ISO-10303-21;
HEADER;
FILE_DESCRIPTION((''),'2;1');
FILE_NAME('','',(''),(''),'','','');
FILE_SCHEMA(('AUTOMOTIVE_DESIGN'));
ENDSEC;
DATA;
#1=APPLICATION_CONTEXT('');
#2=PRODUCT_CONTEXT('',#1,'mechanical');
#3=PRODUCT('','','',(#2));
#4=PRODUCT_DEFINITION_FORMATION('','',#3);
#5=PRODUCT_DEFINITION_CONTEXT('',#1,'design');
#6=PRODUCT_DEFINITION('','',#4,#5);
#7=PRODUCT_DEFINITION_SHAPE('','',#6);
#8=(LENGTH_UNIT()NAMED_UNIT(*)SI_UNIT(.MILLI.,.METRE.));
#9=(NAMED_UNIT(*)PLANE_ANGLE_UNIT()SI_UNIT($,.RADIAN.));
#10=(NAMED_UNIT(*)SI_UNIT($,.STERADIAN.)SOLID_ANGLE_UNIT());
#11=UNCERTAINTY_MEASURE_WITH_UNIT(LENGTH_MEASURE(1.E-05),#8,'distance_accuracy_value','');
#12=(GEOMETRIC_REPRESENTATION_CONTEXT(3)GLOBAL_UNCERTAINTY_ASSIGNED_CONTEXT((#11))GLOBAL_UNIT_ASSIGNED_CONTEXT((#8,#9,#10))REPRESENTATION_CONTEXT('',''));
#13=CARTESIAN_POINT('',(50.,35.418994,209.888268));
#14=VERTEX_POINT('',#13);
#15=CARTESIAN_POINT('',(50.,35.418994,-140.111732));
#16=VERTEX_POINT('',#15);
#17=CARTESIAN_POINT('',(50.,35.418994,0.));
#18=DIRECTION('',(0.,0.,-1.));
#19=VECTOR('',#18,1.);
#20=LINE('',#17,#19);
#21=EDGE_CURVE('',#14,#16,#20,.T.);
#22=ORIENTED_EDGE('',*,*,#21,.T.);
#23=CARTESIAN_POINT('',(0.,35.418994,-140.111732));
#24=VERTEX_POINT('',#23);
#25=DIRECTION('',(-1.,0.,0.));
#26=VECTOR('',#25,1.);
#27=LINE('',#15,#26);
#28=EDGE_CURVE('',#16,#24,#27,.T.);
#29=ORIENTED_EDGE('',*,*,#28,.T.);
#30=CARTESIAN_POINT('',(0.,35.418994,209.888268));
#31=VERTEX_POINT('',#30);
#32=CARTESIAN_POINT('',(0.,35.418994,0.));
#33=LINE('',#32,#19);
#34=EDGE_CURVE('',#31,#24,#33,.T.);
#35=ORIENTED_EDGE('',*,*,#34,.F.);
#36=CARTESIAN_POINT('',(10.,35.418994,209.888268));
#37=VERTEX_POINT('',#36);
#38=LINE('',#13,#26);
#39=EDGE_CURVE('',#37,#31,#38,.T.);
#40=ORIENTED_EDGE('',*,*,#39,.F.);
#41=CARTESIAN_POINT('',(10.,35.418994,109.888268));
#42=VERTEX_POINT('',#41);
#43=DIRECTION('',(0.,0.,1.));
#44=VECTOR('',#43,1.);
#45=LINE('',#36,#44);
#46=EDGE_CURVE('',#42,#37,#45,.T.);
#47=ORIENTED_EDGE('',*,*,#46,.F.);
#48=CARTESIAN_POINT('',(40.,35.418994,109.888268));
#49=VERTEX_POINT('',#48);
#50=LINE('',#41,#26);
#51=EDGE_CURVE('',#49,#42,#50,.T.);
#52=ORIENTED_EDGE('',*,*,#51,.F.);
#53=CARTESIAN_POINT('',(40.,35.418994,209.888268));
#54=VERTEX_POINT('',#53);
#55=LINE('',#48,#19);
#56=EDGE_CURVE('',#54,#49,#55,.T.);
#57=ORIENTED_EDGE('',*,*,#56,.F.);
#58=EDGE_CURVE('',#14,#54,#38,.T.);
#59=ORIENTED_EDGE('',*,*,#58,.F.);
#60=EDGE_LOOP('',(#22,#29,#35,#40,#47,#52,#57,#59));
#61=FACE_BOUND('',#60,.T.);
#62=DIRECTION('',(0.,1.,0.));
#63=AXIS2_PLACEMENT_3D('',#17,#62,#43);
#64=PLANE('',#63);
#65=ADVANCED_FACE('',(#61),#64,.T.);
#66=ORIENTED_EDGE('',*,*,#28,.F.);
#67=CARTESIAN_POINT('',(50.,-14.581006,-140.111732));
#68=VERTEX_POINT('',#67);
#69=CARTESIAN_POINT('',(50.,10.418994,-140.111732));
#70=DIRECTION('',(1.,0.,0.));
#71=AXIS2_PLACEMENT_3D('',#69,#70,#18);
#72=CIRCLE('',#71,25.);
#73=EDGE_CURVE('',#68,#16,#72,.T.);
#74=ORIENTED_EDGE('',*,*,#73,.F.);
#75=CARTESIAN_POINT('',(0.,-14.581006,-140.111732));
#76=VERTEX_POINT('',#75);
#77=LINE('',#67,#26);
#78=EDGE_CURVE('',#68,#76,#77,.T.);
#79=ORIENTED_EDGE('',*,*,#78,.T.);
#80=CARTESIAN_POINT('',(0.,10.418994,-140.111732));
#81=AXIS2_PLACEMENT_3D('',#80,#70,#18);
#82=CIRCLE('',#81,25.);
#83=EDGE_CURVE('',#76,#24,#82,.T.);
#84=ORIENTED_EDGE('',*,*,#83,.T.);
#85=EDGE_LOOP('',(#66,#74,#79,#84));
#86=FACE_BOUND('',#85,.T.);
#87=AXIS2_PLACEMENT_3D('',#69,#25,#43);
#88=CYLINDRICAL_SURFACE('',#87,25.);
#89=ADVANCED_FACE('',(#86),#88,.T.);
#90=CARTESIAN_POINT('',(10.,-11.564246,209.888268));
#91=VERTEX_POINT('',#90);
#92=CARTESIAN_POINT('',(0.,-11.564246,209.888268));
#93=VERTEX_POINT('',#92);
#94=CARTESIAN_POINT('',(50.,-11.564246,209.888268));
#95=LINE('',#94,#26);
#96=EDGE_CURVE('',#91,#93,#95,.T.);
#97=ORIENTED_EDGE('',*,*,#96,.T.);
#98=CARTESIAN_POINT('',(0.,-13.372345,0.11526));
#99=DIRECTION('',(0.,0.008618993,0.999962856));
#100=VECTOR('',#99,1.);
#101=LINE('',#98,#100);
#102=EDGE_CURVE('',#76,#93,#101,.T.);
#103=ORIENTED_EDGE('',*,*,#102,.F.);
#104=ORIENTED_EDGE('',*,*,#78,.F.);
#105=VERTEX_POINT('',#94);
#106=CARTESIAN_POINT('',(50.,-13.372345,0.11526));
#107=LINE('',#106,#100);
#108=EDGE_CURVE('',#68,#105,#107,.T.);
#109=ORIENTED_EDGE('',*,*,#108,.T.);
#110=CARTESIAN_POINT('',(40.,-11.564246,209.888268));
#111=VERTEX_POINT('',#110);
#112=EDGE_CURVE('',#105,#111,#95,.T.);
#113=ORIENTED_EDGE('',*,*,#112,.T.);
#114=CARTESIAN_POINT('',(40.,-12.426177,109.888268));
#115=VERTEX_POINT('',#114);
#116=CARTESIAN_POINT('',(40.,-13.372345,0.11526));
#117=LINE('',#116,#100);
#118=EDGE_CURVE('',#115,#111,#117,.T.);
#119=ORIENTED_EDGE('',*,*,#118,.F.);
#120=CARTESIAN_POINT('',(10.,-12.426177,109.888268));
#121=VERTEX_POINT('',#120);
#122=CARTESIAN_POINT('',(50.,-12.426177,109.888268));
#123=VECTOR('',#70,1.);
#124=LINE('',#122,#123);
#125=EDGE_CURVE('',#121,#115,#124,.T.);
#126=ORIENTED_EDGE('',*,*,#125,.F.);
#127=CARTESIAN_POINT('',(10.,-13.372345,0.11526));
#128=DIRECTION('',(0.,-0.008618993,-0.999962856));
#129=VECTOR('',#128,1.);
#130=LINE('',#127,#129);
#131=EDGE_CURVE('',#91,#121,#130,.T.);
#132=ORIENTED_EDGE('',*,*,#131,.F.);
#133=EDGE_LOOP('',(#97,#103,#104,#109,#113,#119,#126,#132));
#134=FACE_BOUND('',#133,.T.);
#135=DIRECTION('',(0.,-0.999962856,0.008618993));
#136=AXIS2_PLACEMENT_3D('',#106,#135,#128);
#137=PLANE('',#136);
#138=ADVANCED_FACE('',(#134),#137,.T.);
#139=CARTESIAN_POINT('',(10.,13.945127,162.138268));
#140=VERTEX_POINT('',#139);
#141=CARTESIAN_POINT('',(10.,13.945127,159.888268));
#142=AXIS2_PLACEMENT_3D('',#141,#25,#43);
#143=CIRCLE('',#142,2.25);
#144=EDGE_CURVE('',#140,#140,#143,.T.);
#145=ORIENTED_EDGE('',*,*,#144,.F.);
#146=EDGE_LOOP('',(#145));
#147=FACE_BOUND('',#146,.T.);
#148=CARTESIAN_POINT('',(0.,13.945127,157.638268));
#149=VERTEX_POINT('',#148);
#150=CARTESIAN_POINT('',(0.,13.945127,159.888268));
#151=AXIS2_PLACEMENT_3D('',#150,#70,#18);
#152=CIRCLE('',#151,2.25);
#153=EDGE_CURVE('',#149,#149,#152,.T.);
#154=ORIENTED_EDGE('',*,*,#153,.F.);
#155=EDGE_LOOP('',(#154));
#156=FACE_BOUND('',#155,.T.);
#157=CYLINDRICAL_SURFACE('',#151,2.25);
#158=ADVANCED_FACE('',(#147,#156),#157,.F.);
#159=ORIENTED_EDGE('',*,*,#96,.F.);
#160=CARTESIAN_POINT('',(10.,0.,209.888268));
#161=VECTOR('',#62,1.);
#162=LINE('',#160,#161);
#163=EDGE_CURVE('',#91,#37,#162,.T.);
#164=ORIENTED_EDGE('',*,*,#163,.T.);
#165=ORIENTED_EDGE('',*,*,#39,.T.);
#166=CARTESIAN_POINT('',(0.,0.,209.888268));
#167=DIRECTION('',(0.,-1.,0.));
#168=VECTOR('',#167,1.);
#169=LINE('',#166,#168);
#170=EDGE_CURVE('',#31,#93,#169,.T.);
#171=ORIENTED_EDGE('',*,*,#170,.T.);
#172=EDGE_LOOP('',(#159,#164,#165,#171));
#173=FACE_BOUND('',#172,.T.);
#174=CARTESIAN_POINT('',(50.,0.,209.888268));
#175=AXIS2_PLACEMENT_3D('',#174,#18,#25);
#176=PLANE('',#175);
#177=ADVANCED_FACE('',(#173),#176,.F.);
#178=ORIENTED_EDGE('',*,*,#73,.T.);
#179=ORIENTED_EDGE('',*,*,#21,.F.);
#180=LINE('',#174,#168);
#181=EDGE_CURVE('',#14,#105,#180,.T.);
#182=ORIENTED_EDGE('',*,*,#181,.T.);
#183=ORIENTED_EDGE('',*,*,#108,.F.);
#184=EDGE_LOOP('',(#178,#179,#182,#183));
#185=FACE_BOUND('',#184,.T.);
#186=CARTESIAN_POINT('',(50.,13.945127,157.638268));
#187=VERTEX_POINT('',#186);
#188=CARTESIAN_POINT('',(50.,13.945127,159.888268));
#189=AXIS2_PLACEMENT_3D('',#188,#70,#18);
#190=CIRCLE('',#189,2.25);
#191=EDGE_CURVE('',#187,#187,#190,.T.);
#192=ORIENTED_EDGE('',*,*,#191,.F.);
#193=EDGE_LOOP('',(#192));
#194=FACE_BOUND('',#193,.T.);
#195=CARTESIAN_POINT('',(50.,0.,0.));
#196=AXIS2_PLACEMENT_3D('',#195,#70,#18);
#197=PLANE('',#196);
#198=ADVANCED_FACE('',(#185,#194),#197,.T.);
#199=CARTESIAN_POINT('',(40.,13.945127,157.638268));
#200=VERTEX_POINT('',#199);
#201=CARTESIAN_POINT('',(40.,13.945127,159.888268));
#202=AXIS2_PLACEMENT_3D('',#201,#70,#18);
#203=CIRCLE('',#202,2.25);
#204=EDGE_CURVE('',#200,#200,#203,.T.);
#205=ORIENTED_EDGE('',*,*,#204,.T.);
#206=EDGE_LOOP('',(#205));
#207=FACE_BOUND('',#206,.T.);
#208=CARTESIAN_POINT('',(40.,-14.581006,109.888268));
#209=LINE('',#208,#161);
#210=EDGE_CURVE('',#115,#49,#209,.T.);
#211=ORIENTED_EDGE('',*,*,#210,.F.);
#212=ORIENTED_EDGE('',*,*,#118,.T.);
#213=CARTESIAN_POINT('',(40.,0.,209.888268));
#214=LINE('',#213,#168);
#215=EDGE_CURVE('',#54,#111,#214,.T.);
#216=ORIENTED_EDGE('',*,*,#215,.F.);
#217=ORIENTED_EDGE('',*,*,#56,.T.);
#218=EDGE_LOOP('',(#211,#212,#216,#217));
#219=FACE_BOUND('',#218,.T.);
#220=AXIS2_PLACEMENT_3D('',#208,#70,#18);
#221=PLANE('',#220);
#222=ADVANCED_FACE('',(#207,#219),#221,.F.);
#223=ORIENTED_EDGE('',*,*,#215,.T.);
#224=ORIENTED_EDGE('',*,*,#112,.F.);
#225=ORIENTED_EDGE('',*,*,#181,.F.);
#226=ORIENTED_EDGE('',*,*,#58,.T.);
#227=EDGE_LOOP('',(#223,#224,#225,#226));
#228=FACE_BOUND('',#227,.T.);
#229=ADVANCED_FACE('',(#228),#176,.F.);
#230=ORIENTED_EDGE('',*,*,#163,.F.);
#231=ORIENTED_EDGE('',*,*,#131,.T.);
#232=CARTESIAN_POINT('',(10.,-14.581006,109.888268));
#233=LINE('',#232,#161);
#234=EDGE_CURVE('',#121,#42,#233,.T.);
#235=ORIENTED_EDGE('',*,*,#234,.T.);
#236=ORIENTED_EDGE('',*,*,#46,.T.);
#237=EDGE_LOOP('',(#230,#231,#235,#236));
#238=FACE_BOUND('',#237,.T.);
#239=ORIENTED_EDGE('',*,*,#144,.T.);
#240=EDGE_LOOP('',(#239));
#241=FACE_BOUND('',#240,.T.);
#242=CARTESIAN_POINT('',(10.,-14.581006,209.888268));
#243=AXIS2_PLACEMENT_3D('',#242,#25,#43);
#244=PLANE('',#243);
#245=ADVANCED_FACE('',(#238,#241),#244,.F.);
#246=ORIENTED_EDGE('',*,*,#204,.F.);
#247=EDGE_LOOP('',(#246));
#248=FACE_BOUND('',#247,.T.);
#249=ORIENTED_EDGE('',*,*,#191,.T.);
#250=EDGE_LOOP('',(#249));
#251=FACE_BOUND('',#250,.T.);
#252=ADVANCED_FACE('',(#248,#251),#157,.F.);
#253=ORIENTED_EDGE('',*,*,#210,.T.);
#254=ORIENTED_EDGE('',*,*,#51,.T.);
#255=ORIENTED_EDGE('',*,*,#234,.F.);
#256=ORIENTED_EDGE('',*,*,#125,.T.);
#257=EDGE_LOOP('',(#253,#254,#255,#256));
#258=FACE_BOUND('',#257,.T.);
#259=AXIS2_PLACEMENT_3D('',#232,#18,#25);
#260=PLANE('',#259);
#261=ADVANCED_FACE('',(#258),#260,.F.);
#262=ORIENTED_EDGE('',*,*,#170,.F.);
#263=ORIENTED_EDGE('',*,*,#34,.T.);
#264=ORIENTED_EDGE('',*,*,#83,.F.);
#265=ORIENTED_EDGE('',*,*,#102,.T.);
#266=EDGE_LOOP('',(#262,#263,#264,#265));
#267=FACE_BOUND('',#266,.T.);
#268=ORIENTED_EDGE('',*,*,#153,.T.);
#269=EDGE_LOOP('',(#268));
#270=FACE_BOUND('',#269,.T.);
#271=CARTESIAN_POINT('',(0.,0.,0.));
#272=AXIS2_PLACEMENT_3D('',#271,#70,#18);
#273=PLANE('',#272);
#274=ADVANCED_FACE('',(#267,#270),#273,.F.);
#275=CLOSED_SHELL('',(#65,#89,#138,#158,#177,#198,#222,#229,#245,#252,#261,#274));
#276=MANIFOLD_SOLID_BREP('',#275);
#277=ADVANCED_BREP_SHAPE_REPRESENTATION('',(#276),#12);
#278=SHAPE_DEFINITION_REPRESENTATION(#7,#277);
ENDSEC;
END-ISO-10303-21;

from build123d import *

# Parameters (mm, degrees)
BOSS_EXTRUDE1_DEPTH = 50
SKETCH6_W           = 30
SKETCH6_H           = 100
CUT_EXTRUDE3_DEPTH  = 222.479310794
SKETCH5_R           = 2.25
CUT_EXTRUDE2_DEPTH  = 219.649468957


with BuildPart() as part:
    # Sketch1 → Boss-Extrude1 (new body)
    with BuildSketch(Plane(origin=(0, 0, 0), x_dir=(0, 0, -1), z_dir=(1, 0, 0))):
        with BuildLine():
            Line((140.111731844, 35.418994413), (-209.888268156, 35.418994413))
            Line((-209.888268156, 35.418994413), (-209.888268156, 13.43575419))
            Line((-209.888268156, 13.43575419), (-209.888268156, -11.56424581))
            Line((-209.888268156, -11.56424581), (139.680798176, -14.577291234))
            ThreePointArc((139.680798176, -14.577291234), (115.112660449, 10.634469251), (140.111731844, 35.418994413))
        make_face()
        with BuildLine():
            Line((140.111731844, -14.581005587), (140.111731844, 35.418994413))
            ThreePointArc((140.111731844, 35.418994413), (115.112660449, 10.634469251), (139.680798176, -14.577291234))
            Line((139.680798176, -14.577291234), (140.111731844, -14.581005587))
        make_face()
        with BuildLine():
            ThreePointArc((165.111731844, 10.418994413), (157.789401373, 28.096663943), (140.111731844, 35.418994413))
            Line((140.111731844, 35.418994413), (140.111731844, -14.581005587))
            ThreePointArc((140.111731844, -14.581005587), (157.789401373, -7.258675116), (165.111731844, 10.418994413))
        make_face()
    extrude(amount=BOSS_EXTRUDE1_DEPTH)

    # Sketch6 → Cut-Extrude3 (cut, through all)
    with BuildSketch(Plane(origin=(0, 35.418994413, 0), x_dir=(1, 0, 0), z_dir=(0, 1, 0))):
        with Locations((25, -159.888268156)):
            Rectangle(SKETCH6_W, SKETCH6_H)
    extrude(amount=-CUT_EXTRUDE3_DEPTH, mode=Mode.SUBTRACT)

    # Sketch5 → Cut-Extrude2 (cut, through all)
    with BuildSketch(Plane(origin=(50, 0, 0), x_dir=(0, 0, -1), z_dir=(1, 0, 0))):
        with Locations((-159.888268156, 13.945126907)):
            Circle(SKETCH5_R)
    extrude(amount=-CUT_EXTRUDE2_DEPTH, mode=Mode.SUBTRACT)


solid = part.part
